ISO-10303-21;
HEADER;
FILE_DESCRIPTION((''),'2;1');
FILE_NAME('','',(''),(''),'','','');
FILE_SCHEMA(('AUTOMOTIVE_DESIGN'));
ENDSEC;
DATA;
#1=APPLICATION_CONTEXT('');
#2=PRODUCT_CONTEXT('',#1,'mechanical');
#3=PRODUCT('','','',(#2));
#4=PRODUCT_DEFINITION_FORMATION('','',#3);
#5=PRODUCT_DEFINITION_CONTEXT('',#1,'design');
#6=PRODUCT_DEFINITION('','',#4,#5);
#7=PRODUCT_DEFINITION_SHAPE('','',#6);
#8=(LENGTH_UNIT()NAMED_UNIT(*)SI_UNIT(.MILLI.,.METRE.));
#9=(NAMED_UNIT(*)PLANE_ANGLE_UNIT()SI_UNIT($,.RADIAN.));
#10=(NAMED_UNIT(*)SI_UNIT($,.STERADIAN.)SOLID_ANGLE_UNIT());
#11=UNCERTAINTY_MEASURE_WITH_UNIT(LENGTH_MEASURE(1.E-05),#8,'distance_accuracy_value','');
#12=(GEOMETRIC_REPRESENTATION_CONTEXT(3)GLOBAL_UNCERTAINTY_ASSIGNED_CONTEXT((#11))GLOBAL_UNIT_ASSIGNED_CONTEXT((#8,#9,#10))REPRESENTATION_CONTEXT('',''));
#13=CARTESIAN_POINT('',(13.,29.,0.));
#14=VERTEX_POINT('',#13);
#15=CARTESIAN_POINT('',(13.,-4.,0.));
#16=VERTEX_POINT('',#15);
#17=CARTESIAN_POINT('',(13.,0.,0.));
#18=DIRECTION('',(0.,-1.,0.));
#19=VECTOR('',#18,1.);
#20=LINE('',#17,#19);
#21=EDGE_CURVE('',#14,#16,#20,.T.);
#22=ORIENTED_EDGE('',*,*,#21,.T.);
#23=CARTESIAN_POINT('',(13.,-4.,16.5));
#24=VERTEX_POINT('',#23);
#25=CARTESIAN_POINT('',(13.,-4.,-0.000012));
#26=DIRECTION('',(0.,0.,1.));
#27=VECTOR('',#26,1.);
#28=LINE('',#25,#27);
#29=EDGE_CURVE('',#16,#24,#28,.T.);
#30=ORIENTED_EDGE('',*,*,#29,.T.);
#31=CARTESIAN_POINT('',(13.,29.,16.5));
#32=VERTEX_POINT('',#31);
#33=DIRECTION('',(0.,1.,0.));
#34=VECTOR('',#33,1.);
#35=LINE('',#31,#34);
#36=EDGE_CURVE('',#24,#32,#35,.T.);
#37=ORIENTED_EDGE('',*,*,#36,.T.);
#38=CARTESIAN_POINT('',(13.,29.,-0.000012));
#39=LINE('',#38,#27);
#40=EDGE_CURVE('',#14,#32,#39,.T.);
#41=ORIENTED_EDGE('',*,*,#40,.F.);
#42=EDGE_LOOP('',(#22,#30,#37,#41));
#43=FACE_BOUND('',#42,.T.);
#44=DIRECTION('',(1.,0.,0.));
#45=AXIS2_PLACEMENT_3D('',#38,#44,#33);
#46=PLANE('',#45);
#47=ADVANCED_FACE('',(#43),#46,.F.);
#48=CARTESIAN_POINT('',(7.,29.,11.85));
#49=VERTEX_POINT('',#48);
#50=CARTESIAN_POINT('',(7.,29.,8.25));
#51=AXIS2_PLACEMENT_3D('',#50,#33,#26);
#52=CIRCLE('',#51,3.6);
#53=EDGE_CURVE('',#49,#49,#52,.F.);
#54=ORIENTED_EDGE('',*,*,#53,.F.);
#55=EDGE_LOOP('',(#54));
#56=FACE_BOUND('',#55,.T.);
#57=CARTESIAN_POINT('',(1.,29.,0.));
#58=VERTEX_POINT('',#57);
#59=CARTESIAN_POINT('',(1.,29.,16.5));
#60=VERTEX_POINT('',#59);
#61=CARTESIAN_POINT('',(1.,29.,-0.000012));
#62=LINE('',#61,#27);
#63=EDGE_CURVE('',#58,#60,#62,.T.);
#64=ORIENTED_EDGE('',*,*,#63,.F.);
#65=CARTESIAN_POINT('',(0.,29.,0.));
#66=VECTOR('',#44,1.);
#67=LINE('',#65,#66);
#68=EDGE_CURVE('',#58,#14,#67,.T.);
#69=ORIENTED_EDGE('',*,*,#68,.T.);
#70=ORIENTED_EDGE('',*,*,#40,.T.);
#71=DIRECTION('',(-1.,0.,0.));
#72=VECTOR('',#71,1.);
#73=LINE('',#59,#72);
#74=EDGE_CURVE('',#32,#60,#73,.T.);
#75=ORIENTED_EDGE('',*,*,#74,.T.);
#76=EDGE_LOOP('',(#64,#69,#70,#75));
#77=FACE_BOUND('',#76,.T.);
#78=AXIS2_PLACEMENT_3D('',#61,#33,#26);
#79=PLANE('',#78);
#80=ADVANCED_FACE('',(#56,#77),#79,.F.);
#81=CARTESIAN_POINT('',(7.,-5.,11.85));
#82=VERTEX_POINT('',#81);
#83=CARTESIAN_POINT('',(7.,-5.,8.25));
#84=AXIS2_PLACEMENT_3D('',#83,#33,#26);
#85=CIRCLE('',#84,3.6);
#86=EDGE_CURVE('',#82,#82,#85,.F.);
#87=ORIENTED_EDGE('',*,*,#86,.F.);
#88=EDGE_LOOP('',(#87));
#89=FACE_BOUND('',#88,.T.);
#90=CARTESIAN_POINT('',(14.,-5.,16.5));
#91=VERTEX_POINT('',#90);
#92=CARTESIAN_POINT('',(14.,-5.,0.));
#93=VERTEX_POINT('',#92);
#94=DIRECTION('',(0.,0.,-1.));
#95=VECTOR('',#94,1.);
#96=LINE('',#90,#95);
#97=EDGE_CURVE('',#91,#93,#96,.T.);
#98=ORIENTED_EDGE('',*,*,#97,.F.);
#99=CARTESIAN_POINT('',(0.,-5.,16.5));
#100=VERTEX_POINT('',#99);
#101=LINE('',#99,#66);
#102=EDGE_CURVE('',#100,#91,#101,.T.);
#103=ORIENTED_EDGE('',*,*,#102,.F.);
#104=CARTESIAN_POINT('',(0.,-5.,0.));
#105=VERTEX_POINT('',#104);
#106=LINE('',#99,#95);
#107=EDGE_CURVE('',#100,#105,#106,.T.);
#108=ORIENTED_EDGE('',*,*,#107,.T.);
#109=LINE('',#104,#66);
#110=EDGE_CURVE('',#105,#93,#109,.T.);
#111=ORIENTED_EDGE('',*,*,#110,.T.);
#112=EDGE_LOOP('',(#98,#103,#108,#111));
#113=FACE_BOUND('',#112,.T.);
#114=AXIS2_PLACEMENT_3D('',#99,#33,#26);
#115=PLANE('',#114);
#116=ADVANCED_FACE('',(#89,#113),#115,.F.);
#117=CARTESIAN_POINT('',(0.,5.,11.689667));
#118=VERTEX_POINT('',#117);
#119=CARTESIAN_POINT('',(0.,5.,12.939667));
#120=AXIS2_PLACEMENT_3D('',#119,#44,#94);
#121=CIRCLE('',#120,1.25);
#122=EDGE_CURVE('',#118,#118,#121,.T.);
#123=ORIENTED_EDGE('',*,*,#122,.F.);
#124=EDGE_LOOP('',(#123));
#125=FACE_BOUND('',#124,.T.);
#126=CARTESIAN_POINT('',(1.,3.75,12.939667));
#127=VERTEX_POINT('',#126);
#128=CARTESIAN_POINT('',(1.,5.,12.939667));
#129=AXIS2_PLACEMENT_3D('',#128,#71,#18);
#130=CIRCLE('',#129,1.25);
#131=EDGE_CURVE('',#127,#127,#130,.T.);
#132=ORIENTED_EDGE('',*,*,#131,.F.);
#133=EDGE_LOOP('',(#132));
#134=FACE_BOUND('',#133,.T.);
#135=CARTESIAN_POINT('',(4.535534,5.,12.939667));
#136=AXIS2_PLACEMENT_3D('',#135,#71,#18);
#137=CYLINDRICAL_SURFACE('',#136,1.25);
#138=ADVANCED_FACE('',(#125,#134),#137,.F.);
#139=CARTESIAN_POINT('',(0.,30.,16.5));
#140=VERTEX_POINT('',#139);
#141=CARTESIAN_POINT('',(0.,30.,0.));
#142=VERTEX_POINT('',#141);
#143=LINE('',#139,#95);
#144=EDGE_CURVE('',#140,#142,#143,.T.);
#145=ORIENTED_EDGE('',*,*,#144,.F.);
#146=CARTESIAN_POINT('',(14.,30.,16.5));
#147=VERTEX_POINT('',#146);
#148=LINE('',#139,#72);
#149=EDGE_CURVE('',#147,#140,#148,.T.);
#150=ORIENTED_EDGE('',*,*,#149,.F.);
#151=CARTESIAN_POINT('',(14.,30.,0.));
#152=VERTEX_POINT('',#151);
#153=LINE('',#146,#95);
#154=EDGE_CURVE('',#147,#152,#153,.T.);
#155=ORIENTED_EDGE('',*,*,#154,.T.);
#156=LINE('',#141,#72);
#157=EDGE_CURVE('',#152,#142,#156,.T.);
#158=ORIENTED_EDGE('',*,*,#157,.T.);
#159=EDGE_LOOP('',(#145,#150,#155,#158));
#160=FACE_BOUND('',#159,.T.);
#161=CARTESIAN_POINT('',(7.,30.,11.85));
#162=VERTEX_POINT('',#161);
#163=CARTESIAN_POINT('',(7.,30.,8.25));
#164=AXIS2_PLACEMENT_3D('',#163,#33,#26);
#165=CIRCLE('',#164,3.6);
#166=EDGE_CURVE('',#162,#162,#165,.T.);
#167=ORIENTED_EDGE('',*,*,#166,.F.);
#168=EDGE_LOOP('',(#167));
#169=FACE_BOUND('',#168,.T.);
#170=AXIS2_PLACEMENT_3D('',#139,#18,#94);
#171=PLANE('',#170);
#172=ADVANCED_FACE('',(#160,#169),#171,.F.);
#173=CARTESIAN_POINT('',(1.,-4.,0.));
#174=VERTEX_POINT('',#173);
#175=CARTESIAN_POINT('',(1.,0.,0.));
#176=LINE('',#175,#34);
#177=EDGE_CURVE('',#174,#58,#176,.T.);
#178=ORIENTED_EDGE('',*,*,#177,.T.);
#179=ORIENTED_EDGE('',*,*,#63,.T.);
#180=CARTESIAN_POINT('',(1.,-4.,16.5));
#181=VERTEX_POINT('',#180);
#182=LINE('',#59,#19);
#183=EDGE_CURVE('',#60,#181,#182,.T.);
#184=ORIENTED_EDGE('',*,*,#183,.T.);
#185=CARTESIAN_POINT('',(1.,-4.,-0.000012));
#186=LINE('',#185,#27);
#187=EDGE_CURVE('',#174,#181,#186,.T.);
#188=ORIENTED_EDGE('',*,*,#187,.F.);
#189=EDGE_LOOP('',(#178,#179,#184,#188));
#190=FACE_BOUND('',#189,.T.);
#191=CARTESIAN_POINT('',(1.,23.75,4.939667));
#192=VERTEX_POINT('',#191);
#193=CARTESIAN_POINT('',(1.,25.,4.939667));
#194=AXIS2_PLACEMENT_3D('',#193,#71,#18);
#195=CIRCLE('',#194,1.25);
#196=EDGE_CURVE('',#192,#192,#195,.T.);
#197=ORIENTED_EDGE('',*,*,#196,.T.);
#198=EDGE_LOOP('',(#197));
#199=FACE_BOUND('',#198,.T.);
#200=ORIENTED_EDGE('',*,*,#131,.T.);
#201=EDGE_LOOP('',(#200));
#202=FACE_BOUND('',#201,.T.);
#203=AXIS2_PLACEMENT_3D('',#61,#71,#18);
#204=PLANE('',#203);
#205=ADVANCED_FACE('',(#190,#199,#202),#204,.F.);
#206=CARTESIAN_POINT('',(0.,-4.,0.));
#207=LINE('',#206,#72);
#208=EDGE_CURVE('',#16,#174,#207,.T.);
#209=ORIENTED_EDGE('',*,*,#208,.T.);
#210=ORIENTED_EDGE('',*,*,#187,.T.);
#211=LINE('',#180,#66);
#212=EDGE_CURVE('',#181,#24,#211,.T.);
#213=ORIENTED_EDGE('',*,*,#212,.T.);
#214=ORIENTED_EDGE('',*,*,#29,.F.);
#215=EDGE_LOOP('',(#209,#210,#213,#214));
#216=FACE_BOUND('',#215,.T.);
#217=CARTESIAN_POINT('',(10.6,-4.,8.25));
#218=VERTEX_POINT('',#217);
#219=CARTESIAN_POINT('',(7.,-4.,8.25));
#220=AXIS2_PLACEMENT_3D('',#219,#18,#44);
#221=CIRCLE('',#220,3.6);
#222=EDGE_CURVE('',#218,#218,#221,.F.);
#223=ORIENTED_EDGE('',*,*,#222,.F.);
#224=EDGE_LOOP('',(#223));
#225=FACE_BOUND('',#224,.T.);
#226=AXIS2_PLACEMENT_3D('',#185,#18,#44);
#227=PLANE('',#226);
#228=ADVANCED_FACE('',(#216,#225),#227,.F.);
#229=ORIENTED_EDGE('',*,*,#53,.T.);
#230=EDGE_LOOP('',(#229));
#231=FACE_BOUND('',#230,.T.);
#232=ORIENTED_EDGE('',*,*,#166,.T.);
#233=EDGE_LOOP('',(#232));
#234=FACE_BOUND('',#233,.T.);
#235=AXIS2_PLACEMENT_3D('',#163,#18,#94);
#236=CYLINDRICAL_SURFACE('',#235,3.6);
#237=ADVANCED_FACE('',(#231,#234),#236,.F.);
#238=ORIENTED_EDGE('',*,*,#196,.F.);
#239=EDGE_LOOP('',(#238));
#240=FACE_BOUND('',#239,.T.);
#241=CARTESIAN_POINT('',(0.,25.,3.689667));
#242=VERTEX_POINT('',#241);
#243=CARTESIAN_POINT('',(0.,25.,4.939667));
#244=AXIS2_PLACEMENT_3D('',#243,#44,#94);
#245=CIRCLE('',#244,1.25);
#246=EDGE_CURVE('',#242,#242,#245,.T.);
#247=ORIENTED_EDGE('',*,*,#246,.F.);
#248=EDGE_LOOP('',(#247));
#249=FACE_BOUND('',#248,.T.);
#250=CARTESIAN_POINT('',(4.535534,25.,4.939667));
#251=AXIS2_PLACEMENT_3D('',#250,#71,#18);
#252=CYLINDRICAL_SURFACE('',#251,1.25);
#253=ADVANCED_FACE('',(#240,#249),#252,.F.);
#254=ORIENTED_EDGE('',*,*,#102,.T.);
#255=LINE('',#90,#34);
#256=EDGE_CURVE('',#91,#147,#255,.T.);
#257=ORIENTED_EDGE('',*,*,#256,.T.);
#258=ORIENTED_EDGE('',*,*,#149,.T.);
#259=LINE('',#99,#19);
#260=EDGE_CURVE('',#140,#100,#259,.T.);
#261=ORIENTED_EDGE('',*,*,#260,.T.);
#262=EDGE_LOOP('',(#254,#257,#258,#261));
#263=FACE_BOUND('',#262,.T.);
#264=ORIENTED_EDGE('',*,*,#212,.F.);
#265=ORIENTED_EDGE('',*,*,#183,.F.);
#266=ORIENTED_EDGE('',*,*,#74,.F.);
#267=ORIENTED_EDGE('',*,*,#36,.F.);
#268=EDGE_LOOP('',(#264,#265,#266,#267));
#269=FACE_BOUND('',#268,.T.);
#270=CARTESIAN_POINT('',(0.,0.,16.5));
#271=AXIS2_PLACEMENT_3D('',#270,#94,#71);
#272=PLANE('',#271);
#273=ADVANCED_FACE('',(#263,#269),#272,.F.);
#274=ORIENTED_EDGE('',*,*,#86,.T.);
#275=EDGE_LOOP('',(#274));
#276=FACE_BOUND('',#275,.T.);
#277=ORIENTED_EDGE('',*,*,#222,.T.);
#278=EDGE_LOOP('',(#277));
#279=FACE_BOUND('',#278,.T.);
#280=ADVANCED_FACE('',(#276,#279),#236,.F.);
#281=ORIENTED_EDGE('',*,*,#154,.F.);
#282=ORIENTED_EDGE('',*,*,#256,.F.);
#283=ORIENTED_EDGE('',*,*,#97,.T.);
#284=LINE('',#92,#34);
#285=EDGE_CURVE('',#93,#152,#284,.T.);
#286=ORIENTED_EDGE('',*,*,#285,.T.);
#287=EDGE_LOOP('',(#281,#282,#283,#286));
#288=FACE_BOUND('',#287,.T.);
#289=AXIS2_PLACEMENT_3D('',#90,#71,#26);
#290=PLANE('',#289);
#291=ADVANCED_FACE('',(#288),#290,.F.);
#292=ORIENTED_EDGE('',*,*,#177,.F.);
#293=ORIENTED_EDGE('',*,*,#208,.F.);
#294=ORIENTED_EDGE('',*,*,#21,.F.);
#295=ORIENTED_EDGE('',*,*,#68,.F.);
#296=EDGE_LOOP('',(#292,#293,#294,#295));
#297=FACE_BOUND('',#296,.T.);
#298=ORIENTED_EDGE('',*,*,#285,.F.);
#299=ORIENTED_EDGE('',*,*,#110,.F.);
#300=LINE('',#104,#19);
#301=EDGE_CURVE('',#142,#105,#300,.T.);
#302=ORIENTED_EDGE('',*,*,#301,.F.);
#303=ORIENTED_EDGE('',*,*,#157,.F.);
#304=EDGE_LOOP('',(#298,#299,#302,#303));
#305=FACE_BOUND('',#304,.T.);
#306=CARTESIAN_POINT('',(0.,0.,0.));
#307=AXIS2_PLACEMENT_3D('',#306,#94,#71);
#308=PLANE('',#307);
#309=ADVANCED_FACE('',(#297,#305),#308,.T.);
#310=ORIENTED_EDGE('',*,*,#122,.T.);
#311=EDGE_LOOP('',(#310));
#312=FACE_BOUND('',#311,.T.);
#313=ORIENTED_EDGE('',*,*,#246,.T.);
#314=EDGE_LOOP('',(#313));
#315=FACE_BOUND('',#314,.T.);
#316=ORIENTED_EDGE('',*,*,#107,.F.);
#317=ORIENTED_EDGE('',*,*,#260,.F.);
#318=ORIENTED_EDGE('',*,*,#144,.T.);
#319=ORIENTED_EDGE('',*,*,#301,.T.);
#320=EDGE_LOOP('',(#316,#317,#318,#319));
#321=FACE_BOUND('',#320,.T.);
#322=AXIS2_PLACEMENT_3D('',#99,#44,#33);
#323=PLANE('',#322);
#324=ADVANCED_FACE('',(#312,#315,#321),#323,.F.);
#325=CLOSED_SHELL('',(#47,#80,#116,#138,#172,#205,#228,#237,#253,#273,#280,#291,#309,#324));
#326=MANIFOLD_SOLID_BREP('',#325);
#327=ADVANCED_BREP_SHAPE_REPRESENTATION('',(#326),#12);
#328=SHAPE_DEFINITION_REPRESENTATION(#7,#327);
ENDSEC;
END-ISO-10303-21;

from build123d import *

# Parameters (mm, degrees)
SKETCH1_W               = 14
SKETCH1_H               = 35
BOSS_EXTRUDE1_DEPTH     = 16.5
CUT_EXTRUDE3_DEPTH      = 37.989863476
CUT_EXTRUDE3_DEPTH_BACK = 37.989863476
SKETCH3_OUTSIDE_W       = 24.23
SKETCH3_OUTSIDE_H       = 45.23
SKETCH3_OUTSIDE_W_2     = 14
SKETCH3_OUTSIDE_H_2     = 35
SKETCH3_OUTSIDE_W_3     = 12
SKETCH3_OUTSIDE_H_3     = 33
CUT_EXTRUDE4_DEPTH      = 37.989863476
CUT_EXTRUDE4_DEPTH_BACK = 40.5
SKETCH4_R               = 3.6
SKETCH5_R               = 1.25
CUT_EXTRUDE6_DEPTH      = 1


with BuildPart() as part:
    # Sketch1 → Boss-Extrude1 (new body)
    with BuildSketch(Plane.XY):
        with Locations((7, 12.5)):
            Rectangle(SKETCH1_W, SKETCH1_H)
    extrude(amount=BOSS_EXTRUDE1_DEPTH)

    # Sketch3 outside → Cut-Extrude3 (cut, two sides: drawn at the far end of the back side and taken through both)
    # profile 1 of 2: a face of its own
    with BuildSketch(Plane.XY.offset(-CUT_EXTRUDE3_DEPTH_BACK)):
        with Locations((7, 12.5)):
            Rectangle(SKETCH3_OUTSIDE_W, SKETCH3_OUTSIDE_H)
        with Locations((7, 12.5)):
            Rectangle(SKETCH3_OUTSIDE_W_2, SKETCH3_OUTSIDE_H_2, mode=Mode.SUBTRACT)
    # profile 2 of 2: a face of its own
    with BuildSketch(Plane.XY.offset(-CUT_EXTRUDE3_DEPTH_BACK)):
        with Locations((7, 12.5)):
            Rectangle(SKETCH3_OUTSIDE_W_3, SKETCH3_OUTSIDE_H_3)
    extrude(amount=CUT_EXTRUDE3_DEPTH + CUT_EXTRUDE3_DEPTH_BACK, mode=Mode.SUBTRACT)

    # Sketch4 → Cut-Extrude4 (cut, two sides: drawn at the far end of the back side and taken through both)
    with BuildSketch(Plane(origin=(0, 0, 0), x_dir=(1, 0, 0), z_dir=(0, 1, 0)).offset(-CUT_EXTRUDE4_DEPTH_BACK)):
        with Locations((7, -8.25)):
            Circle(SKETCH4_R)
    extrude(amount=CUT_EXTRUDE4_DEPTH + CUT_EXTRUDE4_DEPTH_BACK, mode=Mode.SUBTRACT)

    # Sketch5 → Cut-Extrude6 (cut)
    with BuildSketch(Plane(origin=(0, 0, 0), x_dir=(0, 0, -1), z_dir=(1, 0, 0))):
        with Locations(Location((-4.939666778, 25, 0), (0, 0, 270))):
            Circle(SKETCH5_R)
        with Locations(Location((-12.939666778, 5, 0), (0, 0, 270))):
            Circle(SKETCH5_R)
    extrude(amount=CUT_EXTRUDE6_DEPTH, mode=Mode.SUBTRACT)


solid = part.part
